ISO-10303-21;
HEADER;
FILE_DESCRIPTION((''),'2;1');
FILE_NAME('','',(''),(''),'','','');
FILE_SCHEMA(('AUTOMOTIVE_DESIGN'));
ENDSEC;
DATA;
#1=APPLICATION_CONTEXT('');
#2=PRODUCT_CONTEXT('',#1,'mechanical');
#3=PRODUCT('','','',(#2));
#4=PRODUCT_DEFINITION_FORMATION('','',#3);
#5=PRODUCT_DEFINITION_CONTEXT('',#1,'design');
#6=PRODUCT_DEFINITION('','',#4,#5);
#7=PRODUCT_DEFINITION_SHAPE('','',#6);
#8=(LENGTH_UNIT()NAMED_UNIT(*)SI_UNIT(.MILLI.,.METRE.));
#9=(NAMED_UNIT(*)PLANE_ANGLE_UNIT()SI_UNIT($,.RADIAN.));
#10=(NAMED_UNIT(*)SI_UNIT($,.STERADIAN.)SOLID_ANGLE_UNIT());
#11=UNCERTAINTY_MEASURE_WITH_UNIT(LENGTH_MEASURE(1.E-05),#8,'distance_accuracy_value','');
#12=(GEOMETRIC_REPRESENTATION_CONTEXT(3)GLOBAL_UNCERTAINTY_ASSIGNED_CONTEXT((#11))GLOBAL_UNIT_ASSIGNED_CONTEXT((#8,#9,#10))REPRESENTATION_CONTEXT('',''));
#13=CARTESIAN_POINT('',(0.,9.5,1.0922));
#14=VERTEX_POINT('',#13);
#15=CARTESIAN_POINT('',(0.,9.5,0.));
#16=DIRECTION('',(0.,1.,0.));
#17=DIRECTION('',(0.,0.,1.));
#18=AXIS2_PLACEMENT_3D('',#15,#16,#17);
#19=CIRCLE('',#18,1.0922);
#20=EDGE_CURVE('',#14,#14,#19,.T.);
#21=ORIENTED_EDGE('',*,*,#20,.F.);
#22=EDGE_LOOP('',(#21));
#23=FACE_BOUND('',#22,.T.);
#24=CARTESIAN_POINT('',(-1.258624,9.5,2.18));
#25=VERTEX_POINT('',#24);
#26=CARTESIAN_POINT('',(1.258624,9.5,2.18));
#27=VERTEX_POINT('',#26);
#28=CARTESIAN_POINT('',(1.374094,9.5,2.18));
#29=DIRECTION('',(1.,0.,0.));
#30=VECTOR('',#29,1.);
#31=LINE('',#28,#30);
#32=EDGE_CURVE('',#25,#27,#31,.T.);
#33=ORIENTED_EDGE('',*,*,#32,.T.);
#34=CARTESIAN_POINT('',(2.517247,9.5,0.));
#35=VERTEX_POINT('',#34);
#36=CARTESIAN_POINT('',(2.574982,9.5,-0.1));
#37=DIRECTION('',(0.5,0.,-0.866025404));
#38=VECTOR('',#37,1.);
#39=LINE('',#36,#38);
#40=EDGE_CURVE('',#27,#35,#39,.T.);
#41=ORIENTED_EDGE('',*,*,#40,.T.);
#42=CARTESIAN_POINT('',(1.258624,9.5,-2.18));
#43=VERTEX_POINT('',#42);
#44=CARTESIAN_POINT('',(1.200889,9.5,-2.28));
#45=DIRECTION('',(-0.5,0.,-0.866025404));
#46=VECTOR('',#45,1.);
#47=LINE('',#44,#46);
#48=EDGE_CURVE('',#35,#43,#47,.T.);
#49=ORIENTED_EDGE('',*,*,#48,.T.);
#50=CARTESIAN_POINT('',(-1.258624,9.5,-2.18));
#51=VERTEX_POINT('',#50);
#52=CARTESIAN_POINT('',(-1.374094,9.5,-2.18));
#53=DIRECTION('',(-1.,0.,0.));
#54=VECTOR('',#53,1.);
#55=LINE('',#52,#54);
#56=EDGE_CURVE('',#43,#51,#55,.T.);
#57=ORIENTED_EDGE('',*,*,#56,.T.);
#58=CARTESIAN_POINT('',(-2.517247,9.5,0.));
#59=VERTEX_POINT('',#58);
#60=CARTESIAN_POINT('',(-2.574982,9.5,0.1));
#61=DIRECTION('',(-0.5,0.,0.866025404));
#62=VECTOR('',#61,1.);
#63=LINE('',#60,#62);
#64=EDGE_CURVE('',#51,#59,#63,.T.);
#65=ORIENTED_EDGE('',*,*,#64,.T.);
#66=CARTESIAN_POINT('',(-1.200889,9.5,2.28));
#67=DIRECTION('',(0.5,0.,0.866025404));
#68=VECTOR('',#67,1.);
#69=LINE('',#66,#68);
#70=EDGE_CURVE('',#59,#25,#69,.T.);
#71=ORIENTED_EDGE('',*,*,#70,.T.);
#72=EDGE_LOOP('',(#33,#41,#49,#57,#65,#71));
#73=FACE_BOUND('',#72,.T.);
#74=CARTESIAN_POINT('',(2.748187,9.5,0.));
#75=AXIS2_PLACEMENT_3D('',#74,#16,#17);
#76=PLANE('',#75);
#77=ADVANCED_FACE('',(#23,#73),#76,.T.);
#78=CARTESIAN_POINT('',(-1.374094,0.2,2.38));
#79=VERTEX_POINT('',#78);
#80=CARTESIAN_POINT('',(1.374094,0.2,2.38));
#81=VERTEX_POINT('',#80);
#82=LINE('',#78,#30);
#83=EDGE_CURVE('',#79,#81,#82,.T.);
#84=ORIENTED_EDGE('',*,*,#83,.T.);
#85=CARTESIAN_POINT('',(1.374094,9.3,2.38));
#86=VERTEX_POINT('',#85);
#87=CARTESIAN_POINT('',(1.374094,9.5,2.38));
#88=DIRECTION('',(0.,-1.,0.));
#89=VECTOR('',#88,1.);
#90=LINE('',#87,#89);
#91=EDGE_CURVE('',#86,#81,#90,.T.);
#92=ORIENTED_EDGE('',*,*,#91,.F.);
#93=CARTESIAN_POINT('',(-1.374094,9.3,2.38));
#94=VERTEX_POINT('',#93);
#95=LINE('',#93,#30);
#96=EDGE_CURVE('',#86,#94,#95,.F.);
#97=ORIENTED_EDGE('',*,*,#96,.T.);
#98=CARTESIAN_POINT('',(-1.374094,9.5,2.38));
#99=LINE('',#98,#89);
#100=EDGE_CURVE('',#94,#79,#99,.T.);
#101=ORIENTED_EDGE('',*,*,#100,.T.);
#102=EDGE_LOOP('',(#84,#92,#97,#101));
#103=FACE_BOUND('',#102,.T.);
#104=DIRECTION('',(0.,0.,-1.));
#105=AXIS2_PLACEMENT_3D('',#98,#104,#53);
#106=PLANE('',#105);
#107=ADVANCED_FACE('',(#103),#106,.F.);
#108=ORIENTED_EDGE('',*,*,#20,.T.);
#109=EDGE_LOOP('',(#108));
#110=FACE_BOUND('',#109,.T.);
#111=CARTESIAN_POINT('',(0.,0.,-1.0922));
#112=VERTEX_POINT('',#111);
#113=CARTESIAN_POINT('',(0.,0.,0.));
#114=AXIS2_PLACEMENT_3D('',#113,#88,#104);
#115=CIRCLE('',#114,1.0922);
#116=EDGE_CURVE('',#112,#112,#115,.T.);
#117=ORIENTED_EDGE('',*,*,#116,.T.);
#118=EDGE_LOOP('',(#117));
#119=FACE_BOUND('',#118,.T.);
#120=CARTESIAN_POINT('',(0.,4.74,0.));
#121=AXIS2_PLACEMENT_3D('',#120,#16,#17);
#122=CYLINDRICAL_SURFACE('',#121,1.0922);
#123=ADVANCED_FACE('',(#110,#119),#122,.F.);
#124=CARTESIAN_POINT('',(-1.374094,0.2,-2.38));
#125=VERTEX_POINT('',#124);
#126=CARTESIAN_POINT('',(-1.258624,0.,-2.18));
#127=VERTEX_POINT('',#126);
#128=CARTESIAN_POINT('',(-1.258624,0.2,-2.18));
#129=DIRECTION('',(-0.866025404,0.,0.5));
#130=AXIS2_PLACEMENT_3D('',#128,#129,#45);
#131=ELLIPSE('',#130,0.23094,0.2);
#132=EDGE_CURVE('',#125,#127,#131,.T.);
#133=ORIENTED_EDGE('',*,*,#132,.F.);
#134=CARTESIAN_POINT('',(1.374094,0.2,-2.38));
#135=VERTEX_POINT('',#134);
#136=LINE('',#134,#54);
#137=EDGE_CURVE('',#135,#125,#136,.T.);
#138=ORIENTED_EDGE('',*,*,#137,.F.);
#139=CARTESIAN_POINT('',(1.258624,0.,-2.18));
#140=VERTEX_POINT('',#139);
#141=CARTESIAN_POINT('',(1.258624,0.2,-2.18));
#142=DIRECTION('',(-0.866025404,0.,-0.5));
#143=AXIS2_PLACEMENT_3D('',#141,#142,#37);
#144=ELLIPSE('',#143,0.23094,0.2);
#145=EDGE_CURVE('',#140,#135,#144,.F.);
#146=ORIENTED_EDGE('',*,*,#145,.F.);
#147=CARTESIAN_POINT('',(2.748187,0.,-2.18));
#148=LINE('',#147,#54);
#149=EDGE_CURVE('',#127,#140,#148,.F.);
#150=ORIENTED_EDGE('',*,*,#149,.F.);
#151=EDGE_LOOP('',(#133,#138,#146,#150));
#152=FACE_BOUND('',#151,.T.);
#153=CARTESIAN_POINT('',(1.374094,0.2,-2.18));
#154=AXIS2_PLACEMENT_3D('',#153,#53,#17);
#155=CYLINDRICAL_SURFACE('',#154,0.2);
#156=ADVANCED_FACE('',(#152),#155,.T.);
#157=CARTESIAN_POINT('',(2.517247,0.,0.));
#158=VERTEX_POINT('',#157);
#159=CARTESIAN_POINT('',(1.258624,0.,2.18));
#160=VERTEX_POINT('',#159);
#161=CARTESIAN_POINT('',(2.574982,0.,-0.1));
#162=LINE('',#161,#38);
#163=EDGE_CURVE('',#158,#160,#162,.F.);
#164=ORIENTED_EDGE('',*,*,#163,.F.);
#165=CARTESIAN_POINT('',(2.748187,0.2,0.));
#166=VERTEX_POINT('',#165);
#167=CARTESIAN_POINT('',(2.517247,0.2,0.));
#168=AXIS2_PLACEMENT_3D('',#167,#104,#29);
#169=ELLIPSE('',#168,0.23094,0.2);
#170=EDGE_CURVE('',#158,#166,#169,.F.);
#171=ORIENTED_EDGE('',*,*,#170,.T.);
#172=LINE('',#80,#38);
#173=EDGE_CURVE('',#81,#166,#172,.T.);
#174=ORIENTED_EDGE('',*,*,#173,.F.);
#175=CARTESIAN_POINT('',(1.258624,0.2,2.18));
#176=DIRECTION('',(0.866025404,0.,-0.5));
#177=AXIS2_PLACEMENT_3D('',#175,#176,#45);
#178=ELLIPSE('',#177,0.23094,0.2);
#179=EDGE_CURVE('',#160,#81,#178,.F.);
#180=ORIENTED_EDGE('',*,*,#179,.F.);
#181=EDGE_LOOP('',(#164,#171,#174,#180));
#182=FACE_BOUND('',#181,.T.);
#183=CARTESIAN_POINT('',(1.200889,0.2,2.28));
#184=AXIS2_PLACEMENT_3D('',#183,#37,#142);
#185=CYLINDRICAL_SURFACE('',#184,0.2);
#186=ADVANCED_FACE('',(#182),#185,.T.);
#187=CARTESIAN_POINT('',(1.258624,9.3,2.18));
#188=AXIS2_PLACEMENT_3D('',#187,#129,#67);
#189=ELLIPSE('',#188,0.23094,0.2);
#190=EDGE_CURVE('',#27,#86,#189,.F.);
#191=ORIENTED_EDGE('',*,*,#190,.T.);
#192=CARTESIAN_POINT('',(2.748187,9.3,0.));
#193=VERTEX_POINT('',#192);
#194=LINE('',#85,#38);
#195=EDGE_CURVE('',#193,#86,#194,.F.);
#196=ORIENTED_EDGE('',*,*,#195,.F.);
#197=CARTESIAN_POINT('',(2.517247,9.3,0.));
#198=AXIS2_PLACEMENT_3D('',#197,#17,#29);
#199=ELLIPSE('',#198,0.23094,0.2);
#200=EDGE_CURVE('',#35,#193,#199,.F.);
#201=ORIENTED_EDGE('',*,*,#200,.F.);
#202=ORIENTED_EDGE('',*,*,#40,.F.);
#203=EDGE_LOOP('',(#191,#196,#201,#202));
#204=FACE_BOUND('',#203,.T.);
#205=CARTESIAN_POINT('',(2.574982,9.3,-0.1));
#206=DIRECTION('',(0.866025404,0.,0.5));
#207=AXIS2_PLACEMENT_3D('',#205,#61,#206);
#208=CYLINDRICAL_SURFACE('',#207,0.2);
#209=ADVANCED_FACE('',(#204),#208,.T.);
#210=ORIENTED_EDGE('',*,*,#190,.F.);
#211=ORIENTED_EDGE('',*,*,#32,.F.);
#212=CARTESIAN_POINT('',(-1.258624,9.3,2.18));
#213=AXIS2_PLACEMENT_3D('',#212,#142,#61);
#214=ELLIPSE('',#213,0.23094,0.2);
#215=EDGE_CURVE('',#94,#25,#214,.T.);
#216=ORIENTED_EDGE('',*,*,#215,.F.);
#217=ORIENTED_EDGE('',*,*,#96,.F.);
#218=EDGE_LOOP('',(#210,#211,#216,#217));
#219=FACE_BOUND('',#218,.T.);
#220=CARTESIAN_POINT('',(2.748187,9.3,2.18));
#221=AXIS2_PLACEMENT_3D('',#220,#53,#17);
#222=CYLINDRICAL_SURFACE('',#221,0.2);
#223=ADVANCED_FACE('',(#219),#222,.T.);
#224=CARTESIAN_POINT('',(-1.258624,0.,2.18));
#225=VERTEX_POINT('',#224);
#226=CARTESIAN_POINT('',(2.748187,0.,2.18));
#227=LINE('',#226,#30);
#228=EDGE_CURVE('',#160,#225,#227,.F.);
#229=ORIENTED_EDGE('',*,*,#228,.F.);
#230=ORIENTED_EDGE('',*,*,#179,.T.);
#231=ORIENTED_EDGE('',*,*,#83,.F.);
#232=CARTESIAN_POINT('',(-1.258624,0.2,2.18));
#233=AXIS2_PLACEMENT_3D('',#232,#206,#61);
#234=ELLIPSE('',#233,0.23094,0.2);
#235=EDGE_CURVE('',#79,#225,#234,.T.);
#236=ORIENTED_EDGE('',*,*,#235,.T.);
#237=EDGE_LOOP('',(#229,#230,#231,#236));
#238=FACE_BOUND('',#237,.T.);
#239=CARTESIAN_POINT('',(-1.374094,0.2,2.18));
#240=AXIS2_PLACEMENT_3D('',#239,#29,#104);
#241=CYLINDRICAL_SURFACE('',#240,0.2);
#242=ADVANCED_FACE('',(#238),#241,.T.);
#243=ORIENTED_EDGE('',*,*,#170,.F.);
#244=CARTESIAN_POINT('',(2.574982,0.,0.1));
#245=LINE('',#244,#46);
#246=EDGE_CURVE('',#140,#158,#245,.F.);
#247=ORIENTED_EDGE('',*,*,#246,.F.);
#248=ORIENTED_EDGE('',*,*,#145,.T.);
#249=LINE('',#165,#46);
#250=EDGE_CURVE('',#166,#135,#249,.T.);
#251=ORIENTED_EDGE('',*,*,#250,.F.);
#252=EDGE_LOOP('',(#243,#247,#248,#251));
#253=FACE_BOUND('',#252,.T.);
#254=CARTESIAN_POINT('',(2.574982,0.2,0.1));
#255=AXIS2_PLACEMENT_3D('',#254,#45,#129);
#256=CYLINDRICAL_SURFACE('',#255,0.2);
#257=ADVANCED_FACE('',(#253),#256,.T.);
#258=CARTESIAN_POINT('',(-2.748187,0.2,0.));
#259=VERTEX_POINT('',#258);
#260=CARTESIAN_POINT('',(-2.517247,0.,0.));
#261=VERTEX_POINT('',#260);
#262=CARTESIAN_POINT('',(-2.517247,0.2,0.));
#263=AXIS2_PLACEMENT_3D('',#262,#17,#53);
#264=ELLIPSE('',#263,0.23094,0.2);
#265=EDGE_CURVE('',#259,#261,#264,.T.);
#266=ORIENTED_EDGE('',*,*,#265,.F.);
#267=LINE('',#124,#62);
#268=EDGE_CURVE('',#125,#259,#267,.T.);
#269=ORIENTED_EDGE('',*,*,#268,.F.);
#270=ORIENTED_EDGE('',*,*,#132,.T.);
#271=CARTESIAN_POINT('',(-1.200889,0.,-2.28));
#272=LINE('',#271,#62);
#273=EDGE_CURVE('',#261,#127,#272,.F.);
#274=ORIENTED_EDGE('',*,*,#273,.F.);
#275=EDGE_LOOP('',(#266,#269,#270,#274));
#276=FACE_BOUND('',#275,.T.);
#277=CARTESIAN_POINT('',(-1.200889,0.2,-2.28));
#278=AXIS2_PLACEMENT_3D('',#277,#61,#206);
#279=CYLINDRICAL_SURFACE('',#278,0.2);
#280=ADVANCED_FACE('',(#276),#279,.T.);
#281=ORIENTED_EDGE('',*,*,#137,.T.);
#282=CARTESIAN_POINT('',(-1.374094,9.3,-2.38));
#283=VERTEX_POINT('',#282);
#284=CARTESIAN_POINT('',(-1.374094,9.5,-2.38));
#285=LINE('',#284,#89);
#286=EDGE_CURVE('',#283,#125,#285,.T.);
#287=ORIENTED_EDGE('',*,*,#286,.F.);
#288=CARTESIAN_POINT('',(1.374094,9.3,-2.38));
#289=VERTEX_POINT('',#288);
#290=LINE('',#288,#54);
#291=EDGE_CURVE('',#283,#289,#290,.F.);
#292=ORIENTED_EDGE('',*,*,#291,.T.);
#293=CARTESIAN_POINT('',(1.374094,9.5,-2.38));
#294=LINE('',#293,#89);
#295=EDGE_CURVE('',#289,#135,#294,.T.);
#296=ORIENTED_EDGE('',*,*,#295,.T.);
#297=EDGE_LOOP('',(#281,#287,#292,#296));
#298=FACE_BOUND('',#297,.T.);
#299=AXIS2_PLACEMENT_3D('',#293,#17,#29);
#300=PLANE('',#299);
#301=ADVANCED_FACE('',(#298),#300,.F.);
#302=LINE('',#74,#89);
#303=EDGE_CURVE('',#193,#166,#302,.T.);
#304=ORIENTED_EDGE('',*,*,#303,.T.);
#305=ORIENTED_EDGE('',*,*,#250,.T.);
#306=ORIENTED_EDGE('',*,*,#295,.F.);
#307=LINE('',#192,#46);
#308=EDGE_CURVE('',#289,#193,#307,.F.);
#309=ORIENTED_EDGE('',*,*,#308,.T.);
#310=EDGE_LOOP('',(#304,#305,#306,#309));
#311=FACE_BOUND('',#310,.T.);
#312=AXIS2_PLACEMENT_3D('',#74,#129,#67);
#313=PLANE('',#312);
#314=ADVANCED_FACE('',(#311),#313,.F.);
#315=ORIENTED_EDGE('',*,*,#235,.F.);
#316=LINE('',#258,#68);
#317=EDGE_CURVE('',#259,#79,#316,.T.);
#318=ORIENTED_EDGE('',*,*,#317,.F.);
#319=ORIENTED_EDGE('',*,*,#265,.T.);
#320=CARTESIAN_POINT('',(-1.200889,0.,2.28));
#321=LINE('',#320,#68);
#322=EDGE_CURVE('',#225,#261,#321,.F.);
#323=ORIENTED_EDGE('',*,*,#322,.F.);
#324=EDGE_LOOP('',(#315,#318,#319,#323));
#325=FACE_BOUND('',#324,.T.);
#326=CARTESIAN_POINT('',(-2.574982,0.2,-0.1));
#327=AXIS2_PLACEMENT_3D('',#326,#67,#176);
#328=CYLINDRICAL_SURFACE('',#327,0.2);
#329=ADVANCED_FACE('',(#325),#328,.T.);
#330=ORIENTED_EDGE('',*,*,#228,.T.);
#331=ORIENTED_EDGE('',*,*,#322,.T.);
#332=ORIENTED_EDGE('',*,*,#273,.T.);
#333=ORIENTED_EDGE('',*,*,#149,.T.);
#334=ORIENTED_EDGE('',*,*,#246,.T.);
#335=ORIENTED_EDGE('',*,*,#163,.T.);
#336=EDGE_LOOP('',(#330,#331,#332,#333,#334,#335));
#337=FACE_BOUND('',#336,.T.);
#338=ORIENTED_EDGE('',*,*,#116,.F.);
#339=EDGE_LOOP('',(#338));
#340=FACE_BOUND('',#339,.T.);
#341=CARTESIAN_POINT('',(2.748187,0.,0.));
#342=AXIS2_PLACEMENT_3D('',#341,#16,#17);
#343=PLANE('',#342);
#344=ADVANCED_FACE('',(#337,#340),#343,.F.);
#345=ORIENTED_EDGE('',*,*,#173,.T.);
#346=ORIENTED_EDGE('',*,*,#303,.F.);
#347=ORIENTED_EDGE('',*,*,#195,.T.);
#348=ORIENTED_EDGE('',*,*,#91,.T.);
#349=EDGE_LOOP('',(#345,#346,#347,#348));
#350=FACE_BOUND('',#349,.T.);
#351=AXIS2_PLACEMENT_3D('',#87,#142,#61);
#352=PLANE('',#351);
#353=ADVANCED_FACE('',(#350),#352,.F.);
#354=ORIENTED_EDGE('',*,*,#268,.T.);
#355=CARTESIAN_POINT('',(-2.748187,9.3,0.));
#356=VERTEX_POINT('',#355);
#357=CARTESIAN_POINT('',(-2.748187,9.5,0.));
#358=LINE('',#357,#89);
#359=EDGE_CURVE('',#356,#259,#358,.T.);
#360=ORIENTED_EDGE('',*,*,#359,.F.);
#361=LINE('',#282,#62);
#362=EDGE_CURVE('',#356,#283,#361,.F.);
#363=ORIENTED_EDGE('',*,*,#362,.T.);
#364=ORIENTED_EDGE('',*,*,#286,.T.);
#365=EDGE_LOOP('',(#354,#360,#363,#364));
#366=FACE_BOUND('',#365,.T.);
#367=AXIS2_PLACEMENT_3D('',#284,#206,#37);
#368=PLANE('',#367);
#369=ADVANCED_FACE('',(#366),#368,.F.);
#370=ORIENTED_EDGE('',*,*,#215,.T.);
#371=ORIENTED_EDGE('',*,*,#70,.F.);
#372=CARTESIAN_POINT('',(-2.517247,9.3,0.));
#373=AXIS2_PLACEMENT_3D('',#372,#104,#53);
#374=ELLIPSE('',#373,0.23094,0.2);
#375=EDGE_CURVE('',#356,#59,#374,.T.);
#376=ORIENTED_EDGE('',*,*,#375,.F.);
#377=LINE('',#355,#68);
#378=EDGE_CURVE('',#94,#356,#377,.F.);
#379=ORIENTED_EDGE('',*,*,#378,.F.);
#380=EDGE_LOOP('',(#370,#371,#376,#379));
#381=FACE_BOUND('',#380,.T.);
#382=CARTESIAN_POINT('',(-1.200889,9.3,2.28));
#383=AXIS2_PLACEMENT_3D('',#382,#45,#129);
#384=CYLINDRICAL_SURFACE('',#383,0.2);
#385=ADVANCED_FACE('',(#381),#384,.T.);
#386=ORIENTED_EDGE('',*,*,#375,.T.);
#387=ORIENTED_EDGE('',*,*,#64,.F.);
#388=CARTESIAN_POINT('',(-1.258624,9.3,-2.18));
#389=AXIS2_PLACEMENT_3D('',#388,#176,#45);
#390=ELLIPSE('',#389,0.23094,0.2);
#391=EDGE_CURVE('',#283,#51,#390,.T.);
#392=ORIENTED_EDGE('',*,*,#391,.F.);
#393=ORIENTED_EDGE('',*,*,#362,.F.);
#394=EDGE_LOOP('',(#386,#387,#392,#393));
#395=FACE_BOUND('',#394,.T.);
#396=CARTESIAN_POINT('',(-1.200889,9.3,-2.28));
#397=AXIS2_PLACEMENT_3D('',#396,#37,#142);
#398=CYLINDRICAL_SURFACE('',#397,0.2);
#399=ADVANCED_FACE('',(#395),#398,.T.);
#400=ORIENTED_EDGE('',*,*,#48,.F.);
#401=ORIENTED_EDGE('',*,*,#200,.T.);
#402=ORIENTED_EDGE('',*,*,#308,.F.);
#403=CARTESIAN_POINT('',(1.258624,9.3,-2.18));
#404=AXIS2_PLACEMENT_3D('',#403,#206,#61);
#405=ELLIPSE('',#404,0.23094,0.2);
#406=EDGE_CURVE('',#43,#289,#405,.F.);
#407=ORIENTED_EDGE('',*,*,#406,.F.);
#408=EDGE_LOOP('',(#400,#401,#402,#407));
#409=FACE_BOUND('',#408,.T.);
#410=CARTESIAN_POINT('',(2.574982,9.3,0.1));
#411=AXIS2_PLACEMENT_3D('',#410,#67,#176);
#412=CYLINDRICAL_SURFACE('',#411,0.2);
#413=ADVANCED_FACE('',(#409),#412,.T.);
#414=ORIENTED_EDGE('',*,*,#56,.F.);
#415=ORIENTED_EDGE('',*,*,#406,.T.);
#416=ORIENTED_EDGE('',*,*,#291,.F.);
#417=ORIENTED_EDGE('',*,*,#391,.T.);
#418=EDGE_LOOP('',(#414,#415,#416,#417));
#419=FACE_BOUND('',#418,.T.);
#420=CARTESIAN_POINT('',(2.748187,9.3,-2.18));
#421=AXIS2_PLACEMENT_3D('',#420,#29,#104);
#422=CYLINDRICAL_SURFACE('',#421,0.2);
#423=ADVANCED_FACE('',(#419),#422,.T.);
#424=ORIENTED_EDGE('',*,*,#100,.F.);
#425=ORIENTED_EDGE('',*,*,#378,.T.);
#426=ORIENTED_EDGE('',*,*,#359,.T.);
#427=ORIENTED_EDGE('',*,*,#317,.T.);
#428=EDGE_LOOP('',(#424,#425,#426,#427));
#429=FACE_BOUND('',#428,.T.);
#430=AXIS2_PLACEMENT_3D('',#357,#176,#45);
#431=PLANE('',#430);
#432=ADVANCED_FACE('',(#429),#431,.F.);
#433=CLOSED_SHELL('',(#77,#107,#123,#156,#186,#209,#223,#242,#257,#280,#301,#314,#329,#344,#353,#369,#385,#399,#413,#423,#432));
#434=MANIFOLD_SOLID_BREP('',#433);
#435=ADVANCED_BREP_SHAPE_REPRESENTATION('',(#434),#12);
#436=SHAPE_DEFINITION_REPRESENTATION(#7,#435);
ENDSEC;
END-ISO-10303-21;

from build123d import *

# Parameters (mm, degrees)
RESSALTO_EXTRUS_O1_DEPTH = 9.5
FILETE1_R                = 0.2
ESBO_O3_R                = 1.0922
CORTE_EXTRUS_O1_DEPTH    = 4.76
ESBO_O2_R                = 1.0922
CORTE_EXTRUS_O2_DEPTH    = 10.5


with BuildPart() as part:
    # Esboço1 → Ressalto-extrusão1 (new body)
    with BuildSketch(Plane(origin=(0, 0, 0), x_dir=(1, 0, 0), z_dir=(0, 1, 0))):
        Polygon((2.748187281, 0), (1.374093641, 2.38), (-1.374093641, 2.38), (-2.748187281, 0), (-1.374093641, -2.38), (1.374093641, -2.38), align=None)
    extrude(amount=RESSALTO_EXTRUS_O1_DEPTH)

    # Filete1
    filete1_edges = [part.edges().sort_by_distance(p)[0] for p in [
        (0, 9.5, -2.38),
        (-2.061140461, 9.5, -1.19),
        (-2.061140461, 9.5, 1.19),
        (0, 9.5, 2.38),
        (2.061140461, 9.5, 1.19),
        (0, 0, 2.38),
        (-2.061140461, 0, 1.19),
        (-2.061140461, 0, -1.19),
        (2.061140461, 9.5, -1.19),
        (0, 0, -2.38),
        (2.061140461, 0, -1.19),
        (2.061140461, 0, 1.19),
    ]]
    fillet(filete1_edges, radius=FILETE1_R)

    # Esboço3 → Corte-extrusão1 (cut)
    with BuildSketch(Plane(origin=(0, 9.5, 0), x_dir=(1, 0, 0), z_dir=(0, 1, 0))):
        Circle(ESBO_O3_R)
    extrude(amount=-CORTE_EXTRUS_O1_DEPTH, mode=Mode.SUBTRACT)

    # Esboço2 → Corte-extrusão2 (cut, through all)
    with BuildSketch(Plane.XZ):
        Circle(ESBO_O2_R)
    extrude(amount=-CORTE_EXTRUS_O2_DEPTH, mode=Mode.SUBTRACT)


solid = part.part
